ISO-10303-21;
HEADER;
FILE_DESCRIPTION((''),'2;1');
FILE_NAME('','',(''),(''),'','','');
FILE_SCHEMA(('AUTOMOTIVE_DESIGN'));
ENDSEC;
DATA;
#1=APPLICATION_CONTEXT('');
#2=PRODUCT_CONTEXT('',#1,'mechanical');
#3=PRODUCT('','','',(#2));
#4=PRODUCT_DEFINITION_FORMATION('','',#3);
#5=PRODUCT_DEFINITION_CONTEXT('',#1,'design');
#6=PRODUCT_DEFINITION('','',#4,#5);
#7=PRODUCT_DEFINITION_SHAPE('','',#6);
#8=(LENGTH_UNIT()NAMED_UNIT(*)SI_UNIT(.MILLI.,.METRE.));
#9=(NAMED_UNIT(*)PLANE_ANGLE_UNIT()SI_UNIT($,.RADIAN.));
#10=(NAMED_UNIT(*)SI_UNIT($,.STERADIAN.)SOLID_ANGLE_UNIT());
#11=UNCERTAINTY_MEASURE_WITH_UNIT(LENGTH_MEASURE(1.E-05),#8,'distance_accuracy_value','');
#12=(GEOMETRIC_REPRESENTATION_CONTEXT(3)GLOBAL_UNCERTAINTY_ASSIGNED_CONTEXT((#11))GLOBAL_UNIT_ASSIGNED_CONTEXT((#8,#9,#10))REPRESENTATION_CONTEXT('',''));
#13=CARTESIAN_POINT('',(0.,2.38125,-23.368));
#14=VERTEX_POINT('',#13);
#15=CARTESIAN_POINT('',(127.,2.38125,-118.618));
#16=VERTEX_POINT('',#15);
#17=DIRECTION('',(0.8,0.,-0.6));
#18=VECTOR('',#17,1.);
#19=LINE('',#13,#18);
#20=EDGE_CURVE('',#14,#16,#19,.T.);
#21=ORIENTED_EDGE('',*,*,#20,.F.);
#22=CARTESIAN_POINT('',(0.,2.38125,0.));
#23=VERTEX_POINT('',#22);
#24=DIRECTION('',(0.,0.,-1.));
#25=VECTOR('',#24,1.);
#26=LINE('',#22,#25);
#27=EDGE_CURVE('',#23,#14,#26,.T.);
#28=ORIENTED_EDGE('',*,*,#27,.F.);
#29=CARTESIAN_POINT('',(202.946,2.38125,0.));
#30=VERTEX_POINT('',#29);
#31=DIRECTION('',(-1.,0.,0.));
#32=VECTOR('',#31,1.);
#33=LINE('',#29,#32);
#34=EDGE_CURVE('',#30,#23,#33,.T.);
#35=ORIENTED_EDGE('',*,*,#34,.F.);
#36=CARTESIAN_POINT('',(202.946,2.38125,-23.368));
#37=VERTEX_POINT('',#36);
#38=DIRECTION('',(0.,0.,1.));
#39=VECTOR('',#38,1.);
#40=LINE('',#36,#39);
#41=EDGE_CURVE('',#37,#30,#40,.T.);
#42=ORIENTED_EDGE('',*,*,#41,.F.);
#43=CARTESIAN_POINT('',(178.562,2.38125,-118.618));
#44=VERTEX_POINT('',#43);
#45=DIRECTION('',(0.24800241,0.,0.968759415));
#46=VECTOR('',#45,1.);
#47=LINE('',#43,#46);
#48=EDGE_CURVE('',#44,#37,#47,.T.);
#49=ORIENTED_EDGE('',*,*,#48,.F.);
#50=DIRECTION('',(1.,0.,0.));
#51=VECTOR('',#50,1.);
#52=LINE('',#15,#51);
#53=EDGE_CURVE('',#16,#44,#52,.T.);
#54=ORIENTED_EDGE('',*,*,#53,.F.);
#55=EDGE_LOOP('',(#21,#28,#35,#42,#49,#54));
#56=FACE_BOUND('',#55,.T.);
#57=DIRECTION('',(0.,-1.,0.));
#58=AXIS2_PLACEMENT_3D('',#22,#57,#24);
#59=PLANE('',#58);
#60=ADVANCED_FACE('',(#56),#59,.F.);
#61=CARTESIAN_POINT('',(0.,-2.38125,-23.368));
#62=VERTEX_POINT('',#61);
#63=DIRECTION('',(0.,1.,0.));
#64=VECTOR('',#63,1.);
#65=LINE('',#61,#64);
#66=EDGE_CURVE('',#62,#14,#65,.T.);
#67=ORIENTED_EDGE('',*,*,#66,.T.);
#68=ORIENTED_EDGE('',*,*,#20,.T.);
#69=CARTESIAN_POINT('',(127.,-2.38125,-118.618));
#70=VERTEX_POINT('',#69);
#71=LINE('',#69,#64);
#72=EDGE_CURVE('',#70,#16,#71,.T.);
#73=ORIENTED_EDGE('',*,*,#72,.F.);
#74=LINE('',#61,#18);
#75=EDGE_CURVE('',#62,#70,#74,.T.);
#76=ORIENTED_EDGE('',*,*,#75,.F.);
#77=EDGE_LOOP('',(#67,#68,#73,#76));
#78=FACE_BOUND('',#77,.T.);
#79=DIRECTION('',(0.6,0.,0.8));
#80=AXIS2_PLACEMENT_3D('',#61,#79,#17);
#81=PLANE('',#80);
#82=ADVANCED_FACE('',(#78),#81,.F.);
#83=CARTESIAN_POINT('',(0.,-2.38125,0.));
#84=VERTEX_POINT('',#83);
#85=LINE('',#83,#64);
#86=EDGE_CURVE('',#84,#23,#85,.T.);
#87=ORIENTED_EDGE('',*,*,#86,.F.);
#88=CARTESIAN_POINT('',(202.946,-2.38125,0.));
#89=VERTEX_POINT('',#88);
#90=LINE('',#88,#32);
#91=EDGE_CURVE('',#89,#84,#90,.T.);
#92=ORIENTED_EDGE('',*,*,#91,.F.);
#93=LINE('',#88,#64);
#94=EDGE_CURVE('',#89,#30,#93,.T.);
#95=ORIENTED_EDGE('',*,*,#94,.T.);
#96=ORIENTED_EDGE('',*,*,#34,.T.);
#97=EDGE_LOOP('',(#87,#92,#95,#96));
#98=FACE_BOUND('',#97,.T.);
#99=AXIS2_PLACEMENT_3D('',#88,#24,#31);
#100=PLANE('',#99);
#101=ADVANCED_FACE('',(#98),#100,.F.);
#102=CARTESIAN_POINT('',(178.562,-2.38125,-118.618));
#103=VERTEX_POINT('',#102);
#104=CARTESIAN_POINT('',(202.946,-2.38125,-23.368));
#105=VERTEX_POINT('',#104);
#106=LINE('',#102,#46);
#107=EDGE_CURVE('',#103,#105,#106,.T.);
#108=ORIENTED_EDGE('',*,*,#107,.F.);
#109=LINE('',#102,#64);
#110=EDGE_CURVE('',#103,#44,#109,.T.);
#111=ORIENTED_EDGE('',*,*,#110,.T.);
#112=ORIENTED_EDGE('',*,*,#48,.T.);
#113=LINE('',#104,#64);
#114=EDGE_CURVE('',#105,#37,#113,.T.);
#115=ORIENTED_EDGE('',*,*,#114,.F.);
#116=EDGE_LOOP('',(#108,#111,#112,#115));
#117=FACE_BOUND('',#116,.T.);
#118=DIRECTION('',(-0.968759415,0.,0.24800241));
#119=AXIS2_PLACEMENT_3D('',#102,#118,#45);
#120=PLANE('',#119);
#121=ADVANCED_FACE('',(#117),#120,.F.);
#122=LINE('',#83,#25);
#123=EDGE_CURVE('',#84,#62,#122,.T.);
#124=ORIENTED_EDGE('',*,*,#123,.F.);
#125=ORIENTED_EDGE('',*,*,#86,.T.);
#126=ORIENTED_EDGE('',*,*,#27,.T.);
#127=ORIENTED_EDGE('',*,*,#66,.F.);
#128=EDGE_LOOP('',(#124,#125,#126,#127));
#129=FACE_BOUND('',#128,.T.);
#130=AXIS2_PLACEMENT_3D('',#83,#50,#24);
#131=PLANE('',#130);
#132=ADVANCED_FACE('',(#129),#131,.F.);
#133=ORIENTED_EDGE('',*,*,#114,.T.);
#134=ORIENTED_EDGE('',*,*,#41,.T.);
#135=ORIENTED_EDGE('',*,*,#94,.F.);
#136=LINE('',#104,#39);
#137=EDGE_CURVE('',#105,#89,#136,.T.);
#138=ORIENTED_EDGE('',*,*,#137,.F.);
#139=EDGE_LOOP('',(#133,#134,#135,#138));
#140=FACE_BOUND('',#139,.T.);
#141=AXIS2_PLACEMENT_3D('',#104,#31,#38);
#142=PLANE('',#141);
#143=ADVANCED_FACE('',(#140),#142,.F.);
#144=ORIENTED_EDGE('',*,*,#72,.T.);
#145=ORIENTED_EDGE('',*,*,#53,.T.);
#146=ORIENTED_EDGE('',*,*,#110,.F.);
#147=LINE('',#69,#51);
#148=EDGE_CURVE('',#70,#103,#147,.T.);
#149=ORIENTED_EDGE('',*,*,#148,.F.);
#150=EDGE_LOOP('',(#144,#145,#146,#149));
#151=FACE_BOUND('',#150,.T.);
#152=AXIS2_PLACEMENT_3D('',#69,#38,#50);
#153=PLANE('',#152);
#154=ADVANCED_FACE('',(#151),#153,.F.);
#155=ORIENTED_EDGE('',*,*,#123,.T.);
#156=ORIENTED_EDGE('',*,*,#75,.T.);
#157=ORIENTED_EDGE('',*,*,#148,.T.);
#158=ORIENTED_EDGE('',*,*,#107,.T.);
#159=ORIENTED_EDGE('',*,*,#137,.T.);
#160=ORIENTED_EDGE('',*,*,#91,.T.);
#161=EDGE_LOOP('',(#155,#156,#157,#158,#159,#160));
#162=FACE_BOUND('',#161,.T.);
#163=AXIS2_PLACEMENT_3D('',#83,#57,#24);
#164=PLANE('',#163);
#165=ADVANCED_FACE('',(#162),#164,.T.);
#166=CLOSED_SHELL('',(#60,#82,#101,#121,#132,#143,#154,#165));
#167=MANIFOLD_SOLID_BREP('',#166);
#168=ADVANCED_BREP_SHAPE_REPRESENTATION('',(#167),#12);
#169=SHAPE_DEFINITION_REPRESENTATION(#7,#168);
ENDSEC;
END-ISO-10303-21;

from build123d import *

# Parameters (mm, degrees)
BOSS_EXTRUDE1_DEPTH      = 2.38125
BOSS_EXTRUDE1_DEPTH_BACK = 2.38125


with BuildPart() as part:
    # Sketch1 → Boss-Extrude1 (new, two sides: drawn at the far end of the back side and taken through both)
    with BuildSketch(Plane(origin=(0, 0, 0), x_dir=(1, 0, 0), z_dir=(0, 1, 0)).offset(-BOSS_EXTRUDE1_DEPTH_BACK)):
        Polygon((0, 0), (0, 23.368), (127, 118.618), (178.562, 118.618), (202.946, 23.368), (202.946, 0), align=None)
    extrude(amount=BOSS_EXTRUDE1_DEPTH + BOSS_EXTRUDE1_DEPTH_BACK)


solid = part.part
